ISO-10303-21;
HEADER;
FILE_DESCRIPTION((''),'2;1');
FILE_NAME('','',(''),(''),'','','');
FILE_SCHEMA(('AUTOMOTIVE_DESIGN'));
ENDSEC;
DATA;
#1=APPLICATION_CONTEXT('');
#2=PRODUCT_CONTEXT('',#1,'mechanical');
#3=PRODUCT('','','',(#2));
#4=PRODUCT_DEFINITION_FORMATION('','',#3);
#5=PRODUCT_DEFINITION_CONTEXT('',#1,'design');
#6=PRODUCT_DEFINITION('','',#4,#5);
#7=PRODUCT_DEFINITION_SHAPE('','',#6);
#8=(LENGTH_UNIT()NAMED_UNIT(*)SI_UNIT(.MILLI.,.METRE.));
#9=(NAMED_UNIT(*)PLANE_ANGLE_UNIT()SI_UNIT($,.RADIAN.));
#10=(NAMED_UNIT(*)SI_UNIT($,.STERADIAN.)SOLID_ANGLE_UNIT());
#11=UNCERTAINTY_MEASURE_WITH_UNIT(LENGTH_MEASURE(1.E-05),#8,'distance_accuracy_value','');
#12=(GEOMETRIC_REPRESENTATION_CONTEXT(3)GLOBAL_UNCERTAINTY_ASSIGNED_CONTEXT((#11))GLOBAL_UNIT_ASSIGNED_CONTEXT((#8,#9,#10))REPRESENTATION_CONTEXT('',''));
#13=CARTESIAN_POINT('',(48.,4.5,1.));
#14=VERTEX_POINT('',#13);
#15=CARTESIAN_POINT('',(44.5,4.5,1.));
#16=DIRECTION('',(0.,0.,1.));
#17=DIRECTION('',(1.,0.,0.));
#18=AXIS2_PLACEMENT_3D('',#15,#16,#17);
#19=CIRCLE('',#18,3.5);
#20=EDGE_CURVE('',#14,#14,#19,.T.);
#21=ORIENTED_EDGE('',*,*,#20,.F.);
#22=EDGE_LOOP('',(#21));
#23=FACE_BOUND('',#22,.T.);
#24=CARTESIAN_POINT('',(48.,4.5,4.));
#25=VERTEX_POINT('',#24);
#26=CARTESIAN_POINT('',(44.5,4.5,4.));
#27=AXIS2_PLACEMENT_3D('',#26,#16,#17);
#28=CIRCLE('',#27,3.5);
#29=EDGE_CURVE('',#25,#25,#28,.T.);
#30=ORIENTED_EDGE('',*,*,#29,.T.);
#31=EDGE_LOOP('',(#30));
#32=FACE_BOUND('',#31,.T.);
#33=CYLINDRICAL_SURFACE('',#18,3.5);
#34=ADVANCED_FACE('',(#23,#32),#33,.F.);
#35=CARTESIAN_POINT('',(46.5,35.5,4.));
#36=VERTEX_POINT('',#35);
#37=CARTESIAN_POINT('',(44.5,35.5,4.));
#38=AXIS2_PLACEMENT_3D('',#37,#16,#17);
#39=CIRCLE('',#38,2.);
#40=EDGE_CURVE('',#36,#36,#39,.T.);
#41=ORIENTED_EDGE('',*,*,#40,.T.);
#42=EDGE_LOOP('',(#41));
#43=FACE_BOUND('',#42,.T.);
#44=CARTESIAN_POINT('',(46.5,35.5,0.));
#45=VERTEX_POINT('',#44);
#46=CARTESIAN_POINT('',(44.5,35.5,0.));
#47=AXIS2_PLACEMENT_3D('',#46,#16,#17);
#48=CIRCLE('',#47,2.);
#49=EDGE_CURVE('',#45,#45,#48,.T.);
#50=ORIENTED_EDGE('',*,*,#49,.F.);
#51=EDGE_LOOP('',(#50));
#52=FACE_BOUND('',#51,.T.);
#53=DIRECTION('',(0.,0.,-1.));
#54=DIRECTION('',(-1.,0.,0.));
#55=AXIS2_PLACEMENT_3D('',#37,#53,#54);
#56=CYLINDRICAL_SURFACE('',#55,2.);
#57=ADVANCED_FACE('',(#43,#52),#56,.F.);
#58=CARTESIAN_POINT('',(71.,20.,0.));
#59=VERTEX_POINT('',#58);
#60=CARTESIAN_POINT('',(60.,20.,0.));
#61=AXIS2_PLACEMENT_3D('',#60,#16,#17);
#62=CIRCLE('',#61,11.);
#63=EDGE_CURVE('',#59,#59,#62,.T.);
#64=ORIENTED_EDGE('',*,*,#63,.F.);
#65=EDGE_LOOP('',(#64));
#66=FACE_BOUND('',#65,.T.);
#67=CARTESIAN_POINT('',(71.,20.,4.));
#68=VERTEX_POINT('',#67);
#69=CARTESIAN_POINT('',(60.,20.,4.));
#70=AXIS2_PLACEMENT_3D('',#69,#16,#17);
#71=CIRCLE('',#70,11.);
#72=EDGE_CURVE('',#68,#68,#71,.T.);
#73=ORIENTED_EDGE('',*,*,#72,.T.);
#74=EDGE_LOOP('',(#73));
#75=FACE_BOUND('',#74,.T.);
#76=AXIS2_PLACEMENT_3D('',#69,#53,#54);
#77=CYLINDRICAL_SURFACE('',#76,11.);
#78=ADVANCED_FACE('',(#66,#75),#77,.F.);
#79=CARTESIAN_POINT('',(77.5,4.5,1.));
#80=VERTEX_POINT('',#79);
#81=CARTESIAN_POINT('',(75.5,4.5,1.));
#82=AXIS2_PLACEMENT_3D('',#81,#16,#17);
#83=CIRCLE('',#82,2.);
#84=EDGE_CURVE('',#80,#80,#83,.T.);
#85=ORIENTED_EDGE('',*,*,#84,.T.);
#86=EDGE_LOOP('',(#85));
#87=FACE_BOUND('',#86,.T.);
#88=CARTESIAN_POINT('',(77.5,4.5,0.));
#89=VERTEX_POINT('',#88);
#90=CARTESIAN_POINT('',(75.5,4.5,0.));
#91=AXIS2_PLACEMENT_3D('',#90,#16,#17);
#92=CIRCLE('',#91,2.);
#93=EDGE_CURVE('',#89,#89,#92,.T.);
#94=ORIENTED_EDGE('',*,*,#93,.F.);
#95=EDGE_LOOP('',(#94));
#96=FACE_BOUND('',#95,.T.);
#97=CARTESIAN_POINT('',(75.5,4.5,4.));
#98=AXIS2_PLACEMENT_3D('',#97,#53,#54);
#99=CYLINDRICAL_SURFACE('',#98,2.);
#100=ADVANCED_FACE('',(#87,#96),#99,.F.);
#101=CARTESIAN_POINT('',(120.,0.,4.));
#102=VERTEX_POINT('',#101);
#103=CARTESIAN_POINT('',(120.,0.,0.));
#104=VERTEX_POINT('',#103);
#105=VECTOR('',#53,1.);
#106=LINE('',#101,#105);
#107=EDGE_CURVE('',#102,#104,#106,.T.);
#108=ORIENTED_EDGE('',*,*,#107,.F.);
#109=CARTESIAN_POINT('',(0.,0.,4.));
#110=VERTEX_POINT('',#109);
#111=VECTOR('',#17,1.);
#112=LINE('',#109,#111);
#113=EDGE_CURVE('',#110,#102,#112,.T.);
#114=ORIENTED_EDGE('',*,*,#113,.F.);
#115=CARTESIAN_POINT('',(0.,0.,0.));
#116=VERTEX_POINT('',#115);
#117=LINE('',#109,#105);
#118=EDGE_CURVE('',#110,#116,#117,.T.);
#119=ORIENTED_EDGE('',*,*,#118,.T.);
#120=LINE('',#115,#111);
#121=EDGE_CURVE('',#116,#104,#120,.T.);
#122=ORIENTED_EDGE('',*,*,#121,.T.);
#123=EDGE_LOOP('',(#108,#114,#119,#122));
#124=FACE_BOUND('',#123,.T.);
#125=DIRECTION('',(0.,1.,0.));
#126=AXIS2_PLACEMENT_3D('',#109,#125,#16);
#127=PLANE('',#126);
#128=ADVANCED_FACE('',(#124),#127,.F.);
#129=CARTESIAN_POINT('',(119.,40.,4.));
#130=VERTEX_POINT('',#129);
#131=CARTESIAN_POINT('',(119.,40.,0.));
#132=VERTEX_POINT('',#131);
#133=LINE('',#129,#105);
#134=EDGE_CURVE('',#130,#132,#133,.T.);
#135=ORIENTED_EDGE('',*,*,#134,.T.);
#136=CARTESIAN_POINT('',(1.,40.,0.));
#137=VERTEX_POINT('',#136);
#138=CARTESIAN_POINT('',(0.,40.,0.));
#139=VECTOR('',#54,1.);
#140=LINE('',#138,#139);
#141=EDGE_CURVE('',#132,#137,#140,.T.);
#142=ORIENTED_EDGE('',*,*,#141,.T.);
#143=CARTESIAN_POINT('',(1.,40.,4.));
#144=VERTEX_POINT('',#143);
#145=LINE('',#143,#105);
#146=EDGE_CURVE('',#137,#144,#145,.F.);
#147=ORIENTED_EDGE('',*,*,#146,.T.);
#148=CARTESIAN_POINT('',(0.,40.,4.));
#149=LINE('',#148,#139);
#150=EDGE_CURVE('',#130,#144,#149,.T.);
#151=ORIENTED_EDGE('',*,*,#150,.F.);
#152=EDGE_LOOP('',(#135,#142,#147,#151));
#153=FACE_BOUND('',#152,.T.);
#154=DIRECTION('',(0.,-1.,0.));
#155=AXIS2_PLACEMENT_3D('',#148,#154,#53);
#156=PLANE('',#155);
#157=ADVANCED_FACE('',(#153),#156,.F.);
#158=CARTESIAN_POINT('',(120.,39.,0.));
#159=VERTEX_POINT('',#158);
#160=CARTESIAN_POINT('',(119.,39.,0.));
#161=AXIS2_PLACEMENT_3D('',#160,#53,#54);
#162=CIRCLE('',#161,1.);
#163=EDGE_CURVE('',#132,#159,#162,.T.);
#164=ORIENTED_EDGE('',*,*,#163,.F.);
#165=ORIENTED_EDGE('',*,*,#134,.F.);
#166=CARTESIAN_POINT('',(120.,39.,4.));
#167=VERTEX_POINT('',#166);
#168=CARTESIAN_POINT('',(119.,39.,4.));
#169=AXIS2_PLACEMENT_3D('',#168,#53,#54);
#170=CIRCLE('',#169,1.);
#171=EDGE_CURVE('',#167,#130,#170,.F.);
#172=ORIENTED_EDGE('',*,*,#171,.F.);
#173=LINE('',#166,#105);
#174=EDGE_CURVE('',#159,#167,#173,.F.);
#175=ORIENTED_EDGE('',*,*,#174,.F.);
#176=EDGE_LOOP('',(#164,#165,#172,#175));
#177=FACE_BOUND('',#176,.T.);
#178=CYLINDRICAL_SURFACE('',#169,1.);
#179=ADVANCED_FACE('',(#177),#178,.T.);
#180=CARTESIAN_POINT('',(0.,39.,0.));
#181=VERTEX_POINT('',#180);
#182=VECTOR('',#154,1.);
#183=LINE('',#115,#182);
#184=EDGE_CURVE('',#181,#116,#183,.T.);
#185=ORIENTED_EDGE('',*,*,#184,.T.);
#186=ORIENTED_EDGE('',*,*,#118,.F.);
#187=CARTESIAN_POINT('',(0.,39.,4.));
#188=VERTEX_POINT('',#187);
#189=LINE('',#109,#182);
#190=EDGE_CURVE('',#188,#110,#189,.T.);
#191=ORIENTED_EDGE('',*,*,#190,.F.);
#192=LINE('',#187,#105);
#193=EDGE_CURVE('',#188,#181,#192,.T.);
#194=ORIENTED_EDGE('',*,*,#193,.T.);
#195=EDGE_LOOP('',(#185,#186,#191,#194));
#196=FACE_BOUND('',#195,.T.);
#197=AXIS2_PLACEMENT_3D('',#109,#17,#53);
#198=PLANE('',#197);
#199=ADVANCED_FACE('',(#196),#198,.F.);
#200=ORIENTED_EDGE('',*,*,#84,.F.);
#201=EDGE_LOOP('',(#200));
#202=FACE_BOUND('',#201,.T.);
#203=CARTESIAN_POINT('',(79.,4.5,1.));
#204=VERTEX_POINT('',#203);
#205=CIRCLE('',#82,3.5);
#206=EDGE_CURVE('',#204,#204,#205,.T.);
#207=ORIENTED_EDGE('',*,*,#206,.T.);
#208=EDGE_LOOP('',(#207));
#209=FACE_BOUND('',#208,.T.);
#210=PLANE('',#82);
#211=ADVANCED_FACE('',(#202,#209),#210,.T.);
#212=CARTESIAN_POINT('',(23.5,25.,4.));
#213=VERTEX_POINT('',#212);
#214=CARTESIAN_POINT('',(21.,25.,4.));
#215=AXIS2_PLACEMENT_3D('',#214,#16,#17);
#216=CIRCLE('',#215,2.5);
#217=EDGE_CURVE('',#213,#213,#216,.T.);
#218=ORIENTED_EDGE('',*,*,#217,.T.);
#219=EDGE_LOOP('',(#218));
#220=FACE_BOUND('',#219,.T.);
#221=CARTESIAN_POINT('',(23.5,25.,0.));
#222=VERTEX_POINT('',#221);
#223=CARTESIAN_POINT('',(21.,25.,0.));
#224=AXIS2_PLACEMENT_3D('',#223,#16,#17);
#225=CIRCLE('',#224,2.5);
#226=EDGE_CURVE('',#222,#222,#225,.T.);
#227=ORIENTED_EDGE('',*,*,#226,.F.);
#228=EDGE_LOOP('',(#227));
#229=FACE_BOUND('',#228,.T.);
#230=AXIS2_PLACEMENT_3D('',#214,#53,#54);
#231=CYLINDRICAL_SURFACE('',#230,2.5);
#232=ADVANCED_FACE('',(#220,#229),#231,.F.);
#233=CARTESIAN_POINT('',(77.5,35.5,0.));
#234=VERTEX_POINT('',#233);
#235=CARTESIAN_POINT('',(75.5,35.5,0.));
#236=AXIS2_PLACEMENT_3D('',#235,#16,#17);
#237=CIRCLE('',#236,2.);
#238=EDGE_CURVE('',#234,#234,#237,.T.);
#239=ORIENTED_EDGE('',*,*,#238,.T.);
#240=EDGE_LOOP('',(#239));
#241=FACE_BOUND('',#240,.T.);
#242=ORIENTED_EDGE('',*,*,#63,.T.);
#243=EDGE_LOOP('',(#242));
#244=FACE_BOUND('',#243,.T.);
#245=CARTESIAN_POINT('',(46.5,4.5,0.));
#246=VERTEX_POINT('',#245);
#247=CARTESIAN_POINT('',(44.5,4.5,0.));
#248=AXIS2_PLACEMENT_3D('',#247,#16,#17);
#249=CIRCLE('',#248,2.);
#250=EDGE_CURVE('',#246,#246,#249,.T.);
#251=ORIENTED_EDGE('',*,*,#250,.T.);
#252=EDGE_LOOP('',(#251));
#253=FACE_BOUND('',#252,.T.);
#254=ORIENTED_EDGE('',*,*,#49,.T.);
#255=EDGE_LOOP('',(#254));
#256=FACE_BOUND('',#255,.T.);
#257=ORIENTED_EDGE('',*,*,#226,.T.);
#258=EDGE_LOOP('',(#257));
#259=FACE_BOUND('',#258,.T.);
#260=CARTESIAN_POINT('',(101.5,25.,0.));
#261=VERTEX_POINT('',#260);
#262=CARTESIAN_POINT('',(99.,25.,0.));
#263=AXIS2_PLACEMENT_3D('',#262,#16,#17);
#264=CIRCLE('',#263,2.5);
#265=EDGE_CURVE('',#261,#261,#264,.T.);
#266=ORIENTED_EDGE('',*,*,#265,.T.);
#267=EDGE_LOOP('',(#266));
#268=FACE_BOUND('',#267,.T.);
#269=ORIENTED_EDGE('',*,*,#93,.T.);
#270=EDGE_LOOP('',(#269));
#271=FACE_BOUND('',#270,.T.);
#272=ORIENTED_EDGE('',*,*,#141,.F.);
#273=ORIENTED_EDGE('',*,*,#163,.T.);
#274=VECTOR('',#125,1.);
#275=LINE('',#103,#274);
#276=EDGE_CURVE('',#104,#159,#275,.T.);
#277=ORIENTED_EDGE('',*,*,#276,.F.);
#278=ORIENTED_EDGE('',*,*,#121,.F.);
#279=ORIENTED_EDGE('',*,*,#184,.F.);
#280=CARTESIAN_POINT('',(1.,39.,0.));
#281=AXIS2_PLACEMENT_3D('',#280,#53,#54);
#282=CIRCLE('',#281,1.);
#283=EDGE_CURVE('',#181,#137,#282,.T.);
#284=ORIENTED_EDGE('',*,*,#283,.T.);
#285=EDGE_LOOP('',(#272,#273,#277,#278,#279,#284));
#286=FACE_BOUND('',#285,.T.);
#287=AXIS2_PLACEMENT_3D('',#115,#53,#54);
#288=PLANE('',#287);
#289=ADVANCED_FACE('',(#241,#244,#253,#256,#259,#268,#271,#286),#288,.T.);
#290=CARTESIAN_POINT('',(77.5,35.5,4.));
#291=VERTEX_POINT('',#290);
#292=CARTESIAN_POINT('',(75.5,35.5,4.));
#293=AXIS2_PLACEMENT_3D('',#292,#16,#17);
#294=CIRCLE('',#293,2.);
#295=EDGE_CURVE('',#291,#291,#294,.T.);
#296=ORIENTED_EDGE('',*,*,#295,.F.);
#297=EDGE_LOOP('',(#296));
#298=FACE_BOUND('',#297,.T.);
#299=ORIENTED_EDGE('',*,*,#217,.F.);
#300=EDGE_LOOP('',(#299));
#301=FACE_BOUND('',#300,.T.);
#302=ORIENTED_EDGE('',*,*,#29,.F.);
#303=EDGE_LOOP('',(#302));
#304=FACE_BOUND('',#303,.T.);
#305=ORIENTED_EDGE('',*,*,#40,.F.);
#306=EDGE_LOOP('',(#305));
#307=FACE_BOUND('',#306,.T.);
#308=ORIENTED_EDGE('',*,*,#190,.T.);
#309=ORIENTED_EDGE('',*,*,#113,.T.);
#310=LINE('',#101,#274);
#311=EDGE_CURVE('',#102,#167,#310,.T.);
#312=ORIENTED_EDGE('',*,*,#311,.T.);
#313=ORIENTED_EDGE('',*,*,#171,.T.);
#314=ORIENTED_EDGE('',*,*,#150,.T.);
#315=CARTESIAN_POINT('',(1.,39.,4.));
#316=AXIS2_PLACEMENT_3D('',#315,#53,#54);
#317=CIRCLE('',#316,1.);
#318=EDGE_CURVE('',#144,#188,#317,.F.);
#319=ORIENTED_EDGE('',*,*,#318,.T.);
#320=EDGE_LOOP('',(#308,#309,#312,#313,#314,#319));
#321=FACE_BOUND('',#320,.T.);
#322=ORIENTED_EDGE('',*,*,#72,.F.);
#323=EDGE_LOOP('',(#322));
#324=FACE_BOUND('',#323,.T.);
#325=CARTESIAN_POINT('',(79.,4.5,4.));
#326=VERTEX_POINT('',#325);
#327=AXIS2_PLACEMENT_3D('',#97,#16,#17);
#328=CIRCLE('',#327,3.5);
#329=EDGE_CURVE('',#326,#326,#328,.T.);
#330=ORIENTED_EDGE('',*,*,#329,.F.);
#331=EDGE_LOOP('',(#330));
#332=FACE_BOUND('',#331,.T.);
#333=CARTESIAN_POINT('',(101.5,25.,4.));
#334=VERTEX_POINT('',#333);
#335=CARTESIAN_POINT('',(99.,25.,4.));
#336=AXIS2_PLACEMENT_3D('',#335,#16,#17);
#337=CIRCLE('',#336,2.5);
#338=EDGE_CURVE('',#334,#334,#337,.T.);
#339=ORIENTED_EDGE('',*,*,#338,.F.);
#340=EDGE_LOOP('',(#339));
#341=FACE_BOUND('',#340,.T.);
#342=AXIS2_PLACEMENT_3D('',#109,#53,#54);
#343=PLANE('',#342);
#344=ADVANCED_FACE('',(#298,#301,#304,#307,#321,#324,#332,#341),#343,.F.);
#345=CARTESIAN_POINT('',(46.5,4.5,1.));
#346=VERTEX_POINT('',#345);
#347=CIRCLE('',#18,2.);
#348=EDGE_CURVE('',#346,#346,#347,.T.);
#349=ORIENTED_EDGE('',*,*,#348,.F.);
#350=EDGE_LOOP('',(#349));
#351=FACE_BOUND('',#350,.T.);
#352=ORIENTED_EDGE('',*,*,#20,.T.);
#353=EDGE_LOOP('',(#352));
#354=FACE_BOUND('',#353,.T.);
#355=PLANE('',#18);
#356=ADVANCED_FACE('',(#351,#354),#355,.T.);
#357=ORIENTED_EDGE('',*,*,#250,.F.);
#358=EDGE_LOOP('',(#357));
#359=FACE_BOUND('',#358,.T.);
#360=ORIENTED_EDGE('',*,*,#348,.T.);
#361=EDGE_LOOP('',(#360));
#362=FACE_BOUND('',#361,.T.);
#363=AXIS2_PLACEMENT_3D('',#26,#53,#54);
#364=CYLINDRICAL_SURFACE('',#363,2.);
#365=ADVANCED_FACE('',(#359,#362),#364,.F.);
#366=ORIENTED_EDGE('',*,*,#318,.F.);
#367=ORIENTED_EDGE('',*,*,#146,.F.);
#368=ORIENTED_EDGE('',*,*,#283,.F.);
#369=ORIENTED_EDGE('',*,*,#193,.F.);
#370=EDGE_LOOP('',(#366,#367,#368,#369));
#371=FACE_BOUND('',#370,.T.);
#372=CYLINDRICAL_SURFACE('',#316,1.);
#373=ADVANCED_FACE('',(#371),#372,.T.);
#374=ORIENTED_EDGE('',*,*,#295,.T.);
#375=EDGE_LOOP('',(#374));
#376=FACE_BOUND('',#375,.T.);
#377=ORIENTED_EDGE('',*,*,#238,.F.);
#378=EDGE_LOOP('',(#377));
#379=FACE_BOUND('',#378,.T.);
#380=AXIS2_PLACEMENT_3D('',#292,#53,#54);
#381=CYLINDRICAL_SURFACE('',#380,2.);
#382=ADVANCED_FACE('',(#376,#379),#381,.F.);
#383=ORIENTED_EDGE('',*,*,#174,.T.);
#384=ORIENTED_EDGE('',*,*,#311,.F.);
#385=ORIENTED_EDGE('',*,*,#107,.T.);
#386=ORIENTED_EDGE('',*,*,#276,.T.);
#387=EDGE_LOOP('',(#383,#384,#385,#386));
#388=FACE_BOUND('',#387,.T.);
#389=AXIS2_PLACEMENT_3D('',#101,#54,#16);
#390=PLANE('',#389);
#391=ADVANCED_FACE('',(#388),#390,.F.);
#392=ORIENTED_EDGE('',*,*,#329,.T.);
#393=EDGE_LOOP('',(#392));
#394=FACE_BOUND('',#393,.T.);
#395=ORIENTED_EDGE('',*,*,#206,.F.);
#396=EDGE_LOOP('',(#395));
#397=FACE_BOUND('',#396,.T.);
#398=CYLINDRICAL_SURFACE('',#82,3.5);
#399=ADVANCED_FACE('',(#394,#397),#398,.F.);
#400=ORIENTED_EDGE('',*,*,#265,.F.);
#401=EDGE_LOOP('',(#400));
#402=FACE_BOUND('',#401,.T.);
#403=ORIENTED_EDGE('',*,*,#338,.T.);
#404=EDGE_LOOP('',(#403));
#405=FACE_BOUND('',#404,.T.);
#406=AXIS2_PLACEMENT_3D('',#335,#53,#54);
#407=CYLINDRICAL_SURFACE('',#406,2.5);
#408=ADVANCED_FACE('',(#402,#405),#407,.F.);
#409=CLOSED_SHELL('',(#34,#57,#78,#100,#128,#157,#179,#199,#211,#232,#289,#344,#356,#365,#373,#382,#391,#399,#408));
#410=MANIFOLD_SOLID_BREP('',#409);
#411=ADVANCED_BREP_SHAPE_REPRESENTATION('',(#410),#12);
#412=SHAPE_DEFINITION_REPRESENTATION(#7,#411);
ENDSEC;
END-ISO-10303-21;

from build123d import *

# Parameters (mm, degrees)
SKETCH1_W           = 120
SKETCH1_H           = 40
SKETCH1_R           = 2.5
SKETCH1_R_2         = 11
SKETCH1_R_3         = 2
BOSS_EXTRUDE1_DEPTH = 4
FILLET1_R           = 1
SKETCH2_R           = 3.5
CUT_EXTRUDE1_DEPTH  = 3


with BuildPart() as part:
    # Sketch1 → Boss-Extrude1 (new body)
    with BuildSketch(Plane.XY):
        with Locations((60, 20)):
            Rectangle(SKETCH1_W, SKETCH1_H)
        with Locations((21, 25)):
            Circle(SKETCH1_R, mode=Mode.SUBTRACT)
        with Locations((99, 25)):
            Circle(SKETCH1_R, mode=Mode.SUBTRACT)
        with Locations((60, 20)):
            Circle(SKETCH1_R_2, mode=Mode.SUBTRACT)
        with Locations((75.5, 35.5)):
            Circle(SKETCH1_R_3, mode=Mode.SUBTRACT)
        with Locations((75.5, 4.5)):
            Circle(SKETCH1_R_3, mode=Mode.SUBTRACT)
        with Locations((44.5, 4.5)):
            Circle(SKETCH1_R_3, mode=Mode.SUBTRACT)
        with Locations((44.5, 35.5)):
            Circle(SKETCH1_R_3, mode=Mode.SUBTRACT)
    extrude(amount=BOSS_EXTRUDE1_DEPTH)

    # Fillet1
    fillet1_edges = [part.edges().sort_by_distance(p)[0] for p in [
        (0, 40, 2),
        (120, 40, 2),
    ]]
    fillet(fillet1_edges, radius=FILLET1_R)

    # Sketch2 → Cut-Extrude1 (cut)
    with BuildSketch(Plane.XY.offset(4)):
        with Locations((44.5, 4.5)):
            Circle(SKETCH2_R)
        with Locations((75.5, 4.5)):
            Circle(SKETCH2_R)
    extrude(amount=-CUT_EXTRUDE1_DEPTH, mode=Mode.SUBTRACT)


solid = part.part
